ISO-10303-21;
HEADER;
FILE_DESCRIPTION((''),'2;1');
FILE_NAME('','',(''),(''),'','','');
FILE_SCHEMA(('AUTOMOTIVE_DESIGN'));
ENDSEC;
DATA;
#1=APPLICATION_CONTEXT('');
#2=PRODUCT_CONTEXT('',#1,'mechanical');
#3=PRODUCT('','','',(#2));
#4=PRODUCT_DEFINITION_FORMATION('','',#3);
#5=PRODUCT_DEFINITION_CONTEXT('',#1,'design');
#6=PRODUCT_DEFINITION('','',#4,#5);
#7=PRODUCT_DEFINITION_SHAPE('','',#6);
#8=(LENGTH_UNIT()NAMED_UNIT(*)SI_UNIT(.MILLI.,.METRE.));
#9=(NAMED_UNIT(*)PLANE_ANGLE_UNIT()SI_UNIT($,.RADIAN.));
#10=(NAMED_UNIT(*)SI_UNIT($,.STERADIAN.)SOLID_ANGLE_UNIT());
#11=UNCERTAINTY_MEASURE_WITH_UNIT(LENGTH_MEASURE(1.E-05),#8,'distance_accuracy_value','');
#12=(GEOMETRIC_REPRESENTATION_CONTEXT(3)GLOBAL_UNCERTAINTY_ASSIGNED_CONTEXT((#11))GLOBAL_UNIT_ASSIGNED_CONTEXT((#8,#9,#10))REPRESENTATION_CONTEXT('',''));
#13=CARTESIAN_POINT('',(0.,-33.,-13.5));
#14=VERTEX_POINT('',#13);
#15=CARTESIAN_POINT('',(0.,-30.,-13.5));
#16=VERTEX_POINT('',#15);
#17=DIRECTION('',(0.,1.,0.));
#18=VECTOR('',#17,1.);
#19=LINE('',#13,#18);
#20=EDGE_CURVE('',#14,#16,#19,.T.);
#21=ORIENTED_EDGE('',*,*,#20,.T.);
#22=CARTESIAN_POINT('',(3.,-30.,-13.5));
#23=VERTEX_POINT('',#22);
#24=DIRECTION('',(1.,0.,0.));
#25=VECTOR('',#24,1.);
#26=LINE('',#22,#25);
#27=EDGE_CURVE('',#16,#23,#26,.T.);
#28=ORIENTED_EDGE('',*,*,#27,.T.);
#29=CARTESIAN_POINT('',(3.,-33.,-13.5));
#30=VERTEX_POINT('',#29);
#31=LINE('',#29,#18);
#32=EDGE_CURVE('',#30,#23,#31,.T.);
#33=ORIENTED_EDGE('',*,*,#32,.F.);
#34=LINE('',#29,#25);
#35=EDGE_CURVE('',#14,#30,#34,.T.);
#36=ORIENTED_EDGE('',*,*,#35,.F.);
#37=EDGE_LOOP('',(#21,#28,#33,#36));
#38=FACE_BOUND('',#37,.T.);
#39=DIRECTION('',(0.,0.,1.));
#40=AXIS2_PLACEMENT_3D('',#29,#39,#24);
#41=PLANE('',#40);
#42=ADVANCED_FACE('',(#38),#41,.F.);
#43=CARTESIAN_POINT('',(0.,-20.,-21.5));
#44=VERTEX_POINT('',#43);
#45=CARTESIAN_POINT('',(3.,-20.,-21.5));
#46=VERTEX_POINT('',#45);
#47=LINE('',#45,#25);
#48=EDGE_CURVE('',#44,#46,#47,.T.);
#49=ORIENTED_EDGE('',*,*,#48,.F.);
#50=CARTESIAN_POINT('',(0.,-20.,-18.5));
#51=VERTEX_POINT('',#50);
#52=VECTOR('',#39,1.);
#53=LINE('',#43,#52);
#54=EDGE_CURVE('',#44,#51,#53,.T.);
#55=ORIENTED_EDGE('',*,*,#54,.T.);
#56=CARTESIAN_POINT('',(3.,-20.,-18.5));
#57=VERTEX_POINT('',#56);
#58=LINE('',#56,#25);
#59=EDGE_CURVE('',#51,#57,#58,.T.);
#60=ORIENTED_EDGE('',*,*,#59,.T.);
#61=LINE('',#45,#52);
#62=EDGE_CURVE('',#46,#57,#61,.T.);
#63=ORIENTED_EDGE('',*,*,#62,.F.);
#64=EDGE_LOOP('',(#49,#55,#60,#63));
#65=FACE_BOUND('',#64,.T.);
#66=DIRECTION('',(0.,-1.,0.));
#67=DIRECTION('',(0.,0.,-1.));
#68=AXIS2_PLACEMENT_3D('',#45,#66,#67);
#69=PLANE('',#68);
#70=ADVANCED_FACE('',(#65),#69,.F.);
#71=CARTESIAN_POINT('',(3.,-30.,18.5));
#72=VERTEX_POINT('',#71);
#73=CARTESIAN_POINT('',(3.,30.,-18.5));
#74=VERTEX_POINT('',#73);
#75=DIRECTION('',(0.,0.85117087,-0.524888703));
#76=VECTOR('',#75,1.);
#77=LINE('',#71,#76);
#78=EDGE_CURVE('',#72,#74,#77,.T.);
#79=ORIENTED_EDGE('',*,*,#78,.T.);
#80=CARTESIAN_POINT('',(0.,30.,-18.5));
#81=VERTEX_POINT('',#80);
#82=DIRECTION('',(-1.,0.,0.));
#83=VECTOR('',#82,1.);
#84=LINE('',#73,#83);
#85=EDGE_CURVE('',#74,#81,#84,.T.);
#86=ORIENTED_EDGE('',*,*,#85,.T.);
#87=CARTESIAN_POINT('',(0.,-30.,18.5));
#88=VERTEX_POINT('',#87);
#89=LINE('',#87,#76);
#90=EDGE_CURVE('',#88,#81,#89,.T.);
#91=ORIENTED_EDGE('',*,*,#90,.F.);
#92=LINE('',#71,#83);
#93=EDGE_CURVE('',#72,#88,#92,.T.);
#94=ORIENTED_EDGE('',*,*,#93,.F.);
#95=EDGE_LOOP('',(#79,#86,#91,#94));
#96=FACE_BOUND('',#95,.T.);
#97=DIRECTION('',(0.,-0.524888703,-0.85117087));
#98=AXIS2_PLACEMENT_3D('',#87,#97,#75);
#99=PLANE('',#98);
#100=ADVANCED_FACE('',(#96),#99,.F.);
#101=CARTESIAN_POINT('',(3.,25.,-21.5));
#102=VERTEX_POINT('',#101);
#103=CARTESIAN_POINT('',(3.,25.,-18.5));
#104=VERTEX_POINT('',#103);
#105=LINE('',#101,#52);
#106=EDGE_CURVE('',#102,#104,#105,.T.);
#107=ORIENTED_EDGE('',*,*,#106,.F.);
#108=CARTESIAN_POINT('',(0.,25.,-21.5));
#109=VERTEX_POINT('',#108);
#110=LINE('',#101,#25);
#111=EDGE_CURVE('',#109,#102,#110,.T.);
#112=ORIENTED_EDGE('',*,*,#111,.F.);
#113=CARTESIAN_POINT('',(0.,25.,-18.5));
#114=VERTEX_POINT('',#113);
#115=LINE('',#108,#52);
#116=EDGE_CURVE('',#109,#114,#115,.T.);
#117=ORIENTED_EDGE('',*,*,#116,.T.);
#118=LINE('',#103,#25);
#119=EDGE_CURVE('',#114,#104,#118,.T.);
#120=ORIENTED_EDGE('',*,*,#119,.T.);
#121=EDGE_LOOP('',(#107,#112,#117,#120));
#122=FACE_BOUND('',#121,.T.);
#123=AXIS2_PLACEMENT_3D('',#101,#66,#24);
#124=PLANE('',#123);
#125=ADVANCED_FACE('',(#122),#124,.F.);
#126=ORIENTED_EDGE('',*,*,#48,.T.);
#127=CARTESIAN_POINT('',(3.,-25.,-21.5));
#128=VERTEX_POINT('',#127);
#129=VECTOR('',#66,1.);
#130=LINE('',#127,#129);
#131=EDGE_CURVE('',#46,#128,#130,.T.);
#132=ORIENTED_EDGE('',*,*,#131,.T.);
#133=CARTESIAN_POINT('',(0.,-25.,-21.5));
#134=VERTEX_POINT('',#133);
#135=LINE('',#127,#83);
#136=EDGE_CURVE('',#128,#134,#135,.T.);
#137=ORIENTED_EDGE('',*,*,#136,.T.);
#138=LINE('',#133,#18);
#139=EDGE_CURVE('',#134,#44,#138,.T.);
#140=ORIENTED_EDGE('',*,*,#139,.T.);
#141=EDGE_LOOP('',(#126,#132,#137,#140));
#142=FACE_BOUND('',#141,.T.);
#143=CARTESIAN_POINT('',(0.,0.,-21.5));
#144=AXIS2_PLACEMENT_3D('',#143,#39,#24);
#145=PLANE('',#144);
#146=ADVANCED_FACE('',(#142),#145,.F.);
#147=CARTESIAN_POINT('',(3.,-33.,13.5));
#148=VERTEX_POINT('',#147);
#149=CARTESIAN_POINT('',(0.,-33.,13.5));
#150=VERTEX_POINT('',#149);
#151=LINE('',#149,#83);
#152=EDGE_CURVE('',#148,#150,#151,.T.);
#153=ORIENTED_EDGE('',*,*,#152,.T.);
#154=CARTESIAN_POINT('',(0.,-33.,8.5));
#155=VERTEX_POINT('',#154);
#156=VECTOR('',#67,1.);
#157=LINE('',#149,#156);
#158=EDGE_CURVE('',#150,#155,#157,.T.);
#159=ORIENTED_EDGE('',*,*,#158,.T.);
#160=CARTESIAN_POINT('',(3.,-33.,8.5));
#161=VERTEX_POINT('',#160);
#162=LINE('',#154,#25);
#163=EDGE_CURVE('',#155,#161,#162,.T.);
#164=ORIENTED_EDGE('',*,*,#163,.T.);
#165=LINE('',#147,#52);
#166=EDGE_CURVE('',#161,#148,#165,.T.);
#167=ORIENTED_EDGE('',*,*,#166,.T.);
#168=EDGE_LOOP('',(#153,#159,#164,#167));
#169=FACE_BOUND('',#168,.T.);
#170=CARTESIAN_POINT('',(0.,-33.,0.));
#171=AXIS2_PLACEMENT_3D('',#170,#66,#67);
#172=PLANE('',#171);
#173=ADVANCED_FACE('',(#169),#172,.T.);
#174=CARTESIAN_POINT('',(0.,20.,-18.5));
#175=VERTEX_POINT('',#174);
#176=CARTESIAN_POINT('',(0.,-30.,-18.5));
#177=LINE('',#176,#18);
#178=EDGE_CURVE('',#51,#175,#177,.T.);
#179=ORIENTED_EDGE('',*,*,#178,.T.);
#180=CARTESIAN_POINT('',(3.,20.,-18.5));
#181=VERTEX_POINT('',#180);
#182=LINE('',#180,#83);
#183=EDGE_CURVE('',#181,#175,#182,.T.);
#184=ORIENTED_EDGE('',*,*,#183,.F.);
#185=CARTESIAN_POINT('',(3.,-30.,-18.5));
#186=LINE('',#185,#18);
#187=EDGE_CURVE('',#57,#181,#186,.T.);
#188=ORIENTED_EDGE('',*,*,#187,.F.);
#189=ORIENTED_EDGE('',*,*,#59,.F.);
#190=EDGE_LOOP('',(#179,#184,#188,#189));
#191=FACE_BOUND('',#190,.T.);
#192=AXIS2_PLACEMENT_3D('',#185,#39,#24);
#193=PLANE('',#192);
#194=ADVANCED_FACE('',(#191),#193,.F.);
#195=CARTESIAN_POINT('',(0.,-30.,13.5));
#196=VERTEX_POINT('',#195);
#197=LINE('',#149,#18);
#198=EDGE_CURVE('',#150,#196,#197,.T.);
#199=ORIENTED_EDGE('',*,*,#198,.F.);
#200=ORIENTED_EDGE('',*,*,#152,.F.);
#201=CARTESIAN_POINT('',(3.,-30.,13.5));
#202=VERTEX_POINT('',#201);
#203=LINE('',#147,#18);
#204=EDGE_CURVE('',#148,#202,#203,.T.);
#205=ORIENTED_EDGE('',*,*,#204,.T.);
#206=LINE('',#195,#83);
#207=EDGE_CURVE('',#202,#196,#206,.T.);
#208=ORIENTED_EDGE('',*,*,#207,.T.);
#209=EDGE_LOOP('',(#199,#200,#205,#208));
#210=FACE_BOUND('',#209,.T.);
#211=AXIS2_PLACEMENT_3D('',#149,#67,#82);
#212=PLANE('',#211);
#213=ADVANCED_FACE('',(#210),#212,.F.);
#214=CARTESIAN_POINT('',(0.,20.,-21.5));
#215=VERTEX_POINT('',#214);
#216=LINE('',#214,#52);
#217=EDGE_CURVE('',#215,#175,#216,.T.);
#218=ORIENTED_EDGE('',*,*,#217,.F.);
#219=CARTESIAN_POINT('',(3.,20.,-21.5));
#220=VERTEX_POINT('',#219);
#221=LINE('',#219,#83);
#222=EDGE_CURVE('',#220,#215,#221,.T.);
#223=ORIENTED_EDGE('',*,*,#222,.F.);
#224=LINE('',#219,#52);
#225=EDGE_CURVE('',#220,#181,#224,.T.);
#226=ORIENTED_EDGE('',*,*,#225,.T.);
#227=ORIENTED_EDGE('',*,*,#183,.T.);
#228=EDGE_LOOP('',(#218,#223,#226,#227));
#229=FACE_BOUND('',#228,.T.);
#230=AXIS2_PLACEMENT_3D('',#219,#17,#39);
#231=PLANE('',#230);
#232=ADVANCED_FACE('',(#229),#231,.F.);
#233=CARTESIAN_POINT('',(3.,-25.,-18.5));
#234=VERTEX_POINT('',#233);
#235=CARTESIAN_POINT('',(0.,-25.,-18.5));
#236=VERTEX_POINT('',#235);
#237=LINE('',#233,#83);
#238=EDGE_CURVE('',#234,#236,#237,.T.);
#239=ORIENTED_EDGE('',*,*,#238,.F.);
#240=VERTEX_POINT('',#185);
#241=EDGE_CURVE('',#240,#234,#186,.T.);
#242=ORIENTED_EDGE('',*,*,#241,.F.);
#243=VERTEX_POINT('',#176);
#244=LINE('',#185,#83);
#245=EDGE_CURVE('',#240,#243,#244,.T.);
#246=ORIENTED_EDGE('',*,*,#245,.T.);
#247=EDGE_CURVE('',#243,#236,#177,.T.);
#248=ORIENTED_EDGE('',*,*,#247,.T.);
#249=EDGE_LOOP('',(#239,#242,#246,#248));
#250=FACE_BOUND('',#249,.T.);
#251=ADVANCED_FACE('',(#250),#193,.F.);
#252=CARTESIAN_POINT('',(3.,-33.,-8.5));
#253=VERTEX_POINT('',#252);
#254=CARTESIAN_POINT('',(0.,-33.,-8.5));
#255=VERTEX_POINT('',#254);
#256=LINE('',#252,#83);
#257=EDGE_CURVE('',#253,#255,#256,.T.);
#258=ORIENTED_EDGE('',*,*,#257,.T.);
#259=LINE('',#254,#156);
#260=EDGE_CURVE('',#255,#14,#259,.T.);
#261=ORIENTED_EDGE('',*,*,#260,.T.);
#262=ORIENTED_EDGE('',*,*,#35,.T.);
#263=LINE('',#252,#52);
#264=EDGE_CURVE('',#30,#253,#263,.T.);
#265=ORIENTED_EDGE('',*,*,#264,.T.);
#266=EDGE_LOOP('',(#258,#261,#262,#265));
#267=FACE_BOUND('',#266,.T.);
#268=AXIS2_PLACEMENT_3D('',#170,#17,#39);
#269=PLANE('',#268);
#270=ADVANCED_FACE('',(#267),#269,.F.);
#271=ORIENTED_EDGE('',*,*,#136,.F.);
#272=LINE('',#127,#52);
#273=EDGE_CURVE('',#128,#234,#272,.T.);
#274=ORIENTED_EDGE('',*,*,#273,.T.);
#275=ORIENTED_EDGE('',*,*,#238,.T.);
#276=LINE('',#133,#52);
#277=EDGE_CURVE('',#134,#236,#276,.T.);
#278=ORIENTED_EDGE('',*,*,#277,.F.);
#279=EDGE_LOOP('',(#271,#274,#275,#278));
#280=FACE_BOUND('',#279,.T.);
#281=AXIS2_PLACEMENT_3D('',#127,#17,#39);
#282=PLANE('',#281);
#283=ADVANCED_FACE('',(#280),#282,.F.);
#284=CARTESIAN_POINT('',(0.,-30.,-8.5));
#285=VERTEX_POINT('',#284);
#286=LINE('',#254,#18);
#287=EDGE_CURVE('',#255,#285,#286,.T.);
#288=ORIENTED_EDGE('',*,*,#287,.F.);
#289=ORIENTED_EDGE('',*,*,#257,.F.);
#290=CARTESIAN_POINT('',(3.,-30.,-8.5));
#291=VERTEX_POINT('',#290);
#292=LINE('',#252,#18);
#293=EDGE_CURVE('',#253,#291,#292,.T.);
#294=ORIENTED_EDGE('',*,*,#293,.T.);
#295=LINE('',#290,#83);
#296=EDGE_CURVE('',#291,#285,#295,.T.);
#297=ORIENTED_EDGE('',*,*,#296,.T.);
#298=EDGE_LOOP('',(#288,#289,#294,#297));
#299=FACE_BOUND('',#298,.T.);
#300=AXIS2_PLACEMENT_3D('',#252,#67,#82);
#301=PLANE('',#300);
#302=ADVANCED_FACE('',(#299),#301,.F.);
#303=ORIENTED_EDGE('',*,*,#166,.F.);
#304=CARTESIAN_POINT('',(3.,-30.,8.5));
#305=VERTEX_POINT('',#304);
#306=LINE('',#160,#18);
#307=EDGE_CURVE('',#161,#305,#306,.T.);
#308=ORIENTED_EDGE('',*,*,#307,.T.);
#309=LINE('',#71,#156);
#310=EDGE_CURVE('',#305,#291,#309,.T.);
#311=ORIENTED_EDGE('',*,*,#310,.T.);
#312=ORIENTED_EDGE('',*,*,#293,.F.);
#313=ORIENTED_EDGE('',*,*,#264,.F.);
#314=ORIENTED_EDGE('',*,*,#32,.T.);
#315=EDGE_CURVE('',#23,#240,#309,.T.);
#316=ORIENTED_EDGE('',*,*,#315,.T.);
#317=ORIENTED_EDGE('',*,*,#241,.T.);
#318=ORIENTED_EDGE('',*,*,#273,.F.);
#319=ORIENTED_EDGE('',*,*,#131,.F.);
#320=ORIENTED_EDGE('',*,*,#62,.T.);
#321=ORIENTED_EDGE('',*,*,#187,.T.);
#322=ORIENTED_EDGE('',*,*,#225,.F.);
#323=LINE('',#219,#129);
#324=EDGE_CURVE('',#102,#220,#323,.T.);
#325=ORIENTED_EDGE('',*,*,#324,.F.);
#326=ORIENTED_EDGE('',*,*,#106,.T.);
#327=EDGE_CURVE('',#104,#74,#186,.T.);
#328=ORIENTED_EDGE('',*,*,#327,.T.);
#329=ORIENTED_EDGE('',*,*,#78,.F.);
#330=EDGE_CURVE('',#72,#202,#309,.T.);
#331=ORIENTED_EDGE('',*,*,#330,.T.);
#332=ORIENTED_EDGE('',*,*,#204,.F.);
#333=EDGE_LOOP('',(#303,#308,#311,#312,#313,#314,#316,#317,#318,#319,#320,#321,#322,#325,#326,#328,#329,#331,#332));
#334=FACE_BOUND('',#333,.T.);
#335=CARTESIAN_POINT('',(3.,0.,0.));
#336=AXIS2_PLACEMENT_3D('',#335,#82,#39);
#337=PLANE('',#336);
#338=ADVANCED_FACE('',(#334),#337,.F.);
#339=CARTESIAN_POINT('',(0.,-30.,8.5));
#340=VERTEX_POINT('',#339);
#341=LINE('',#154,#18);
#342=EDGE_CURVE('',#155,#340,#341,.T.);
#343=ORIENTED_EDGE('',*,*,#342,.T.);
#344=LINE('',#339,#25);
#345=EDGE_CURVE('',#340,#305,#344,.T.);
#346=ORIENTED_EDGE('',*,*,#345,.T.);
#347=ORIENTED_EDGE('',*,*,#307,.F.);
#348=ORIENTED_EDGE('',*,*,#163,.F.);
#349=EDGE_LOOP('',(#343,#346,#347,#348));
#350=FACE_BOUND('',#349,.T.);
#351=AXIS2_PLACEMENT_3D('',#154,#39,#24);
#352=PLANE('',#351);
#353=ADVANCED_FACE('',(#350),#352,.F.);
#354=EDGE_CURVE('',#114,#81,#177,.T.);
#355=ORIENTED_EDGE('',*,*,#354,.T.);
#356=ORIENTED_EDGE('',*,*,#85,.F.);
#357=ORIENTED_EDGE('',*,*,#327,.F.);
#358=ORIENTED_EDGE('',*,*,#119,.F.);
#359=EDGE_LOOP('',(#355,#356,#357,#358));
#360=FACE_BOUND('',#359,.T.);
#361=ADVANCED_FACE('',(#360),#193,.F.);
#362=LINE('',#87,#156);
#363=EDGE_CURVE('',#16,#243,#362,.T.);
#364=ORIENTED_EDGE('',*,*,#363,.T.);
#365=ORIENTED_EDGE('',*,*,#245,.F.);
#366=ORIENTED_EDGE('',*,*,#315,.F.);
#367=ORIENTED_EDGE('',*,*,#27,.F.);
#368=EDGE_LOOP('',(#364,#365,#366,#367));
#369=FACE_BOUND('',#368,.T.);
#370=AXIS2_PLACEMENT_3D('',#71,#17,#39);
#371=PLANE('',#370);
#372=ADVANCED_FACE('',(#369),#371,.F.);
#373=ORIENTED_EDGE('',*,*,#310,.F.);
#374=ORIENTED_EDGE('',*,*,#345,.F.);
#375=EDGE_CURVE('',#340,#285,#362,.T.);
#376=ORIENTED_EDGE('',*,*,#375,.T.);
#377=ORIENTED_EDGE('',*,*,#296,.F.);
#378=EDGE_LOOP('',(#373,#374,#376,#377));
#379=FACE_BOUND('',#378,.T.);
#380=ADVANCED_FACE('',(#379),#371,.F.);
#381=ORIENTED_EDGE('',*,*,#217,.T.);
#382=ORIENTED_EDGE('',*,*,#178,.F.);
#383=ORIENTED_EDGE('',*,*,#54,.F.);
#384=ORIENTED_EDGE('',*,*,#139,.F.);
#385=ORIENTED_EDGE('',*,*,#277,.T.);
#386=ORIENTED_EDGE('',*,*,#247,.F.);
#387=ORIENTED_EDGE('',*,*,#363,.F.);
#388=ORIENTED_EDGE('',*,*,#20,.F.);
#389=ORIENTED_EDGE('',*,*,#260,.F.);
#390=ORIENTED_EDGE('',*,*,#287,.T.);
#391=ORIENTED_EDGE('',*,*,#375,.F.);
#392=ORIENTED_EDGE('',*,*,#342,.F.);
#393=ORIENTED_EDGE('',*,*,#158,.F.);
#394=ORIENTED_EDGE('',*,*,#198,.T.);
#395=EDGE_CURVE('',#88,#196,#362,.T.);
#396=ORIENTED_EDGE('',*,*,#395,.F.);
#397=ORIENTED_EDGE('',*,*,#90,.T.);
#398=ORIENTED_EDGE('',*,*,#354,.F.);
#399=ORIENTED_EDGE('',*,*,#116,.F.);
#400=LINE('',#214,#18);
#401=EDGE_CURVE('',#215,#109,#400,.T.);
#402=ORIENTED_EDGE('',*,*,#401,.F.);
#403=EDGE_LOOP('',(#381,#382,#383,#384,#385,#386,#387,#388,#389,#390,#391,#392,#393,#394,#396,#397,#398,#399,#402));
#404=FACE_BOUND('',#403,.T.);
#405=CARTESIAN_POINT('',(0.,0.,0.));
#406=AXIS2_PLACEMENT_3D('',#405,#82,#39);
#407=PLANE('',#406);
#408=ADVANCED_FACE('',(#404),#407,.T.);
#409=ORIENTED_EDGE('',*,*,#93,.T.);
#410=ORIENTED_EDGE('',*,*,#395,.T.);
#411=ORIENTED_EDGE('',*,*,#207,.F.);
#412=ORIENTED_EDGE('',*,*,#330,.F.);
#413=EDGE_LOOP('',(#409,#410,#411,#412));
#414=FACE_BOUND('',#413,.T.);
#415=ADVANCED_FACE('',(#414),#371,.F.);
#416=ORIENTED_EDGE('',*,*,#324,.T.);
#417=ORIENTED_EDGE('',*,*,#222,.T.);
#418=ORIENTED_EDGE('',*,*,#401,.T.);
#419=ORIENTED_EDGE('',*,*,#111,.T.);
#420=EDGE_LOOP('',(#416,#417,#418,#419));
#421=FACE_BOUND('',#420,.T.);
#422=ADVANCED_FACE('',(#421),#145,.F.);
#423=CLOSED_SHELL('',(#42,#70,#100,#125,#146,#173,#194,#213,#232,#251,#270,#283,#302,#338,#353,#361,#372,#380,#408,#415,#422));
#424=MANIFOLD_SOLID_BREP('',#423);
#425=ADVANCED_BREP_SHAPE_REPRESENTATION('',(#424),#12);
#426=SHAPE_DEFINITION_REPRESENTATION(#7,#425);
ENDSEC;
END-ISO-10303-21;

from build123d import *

# Parameters (mm, degrees)
SKETCH1_W           = 37
SKETCH1_H           = 60
BOSS_EXTRUDE1_DEPTH = 3
CUT_EXTRUDE1_DEPTH  = 3
SKETCH3_W           = 3
SKETCH3_H           = 5
BOSS_EXTRUDE2_DEPTH = 3
SKETCH4_W           = 3
SKETCH4_H           = 5
BOSS_EXTRUDE3_DEPTH = 3


with BuildPart() as part:
    # Sketch1 → Boss-Extrude1 (new body)
    with BuildSketch(Plane(origin=(0, 0, 0), x_dir=(0, 0, -1), z_dir=(1, 0, 0))):
        Rectangle(SKETCH1_W, SKETCH1_H)
    extrude(amount=BOSS_EXTRUDE1_DEPTH)

    # Sketch2 → Cut-Extrude1 (cut)
    with BuildSketch(Plane(origin=(3, 0, 0), x_dir=(0, 0, -1), z_dir=(1, 0, 0))):
        Polygon((-18.5, -30), (18.5, 30), (-18.5, 30), align=None)
    extrude(amount=-CUT_EXTRUDE1_DEPTH, mode=Mode.SUBTRACT)

    # Sketch3 → Boss-Extrude2 (add)
    with BuildSketch(Plane.XZ.offset(30)):
        with Locations((1.5, 11)):
            Rectangle(SKETCH3_W, SKETCH3_H)
        with Locations((1.5, -11)):
            Rectangle(SKETCH3_W, SKETCH3_H)
    extrude(amount=BOSS_EXTRUDE2_DEPTH)

    # Sketch4 → Boss-Extrude3 (add)
    with BuildSketch(Plane(origin=(0, 0, -18.5), x_dir=(-1, 0, 0), z_dir=(0, 0, -1))):
        with Locations((-1.5, -22.5)):
            Rectangle(SKETCH4_W, SKETCH4_H)
        with Locations((-1.5, 22.5)):
            Rectangle(SKETCH4_W, SKETCH4_H)
    extrude(amount=BOSS_EXTRUDE3_DEPTH)


solid = part.part
